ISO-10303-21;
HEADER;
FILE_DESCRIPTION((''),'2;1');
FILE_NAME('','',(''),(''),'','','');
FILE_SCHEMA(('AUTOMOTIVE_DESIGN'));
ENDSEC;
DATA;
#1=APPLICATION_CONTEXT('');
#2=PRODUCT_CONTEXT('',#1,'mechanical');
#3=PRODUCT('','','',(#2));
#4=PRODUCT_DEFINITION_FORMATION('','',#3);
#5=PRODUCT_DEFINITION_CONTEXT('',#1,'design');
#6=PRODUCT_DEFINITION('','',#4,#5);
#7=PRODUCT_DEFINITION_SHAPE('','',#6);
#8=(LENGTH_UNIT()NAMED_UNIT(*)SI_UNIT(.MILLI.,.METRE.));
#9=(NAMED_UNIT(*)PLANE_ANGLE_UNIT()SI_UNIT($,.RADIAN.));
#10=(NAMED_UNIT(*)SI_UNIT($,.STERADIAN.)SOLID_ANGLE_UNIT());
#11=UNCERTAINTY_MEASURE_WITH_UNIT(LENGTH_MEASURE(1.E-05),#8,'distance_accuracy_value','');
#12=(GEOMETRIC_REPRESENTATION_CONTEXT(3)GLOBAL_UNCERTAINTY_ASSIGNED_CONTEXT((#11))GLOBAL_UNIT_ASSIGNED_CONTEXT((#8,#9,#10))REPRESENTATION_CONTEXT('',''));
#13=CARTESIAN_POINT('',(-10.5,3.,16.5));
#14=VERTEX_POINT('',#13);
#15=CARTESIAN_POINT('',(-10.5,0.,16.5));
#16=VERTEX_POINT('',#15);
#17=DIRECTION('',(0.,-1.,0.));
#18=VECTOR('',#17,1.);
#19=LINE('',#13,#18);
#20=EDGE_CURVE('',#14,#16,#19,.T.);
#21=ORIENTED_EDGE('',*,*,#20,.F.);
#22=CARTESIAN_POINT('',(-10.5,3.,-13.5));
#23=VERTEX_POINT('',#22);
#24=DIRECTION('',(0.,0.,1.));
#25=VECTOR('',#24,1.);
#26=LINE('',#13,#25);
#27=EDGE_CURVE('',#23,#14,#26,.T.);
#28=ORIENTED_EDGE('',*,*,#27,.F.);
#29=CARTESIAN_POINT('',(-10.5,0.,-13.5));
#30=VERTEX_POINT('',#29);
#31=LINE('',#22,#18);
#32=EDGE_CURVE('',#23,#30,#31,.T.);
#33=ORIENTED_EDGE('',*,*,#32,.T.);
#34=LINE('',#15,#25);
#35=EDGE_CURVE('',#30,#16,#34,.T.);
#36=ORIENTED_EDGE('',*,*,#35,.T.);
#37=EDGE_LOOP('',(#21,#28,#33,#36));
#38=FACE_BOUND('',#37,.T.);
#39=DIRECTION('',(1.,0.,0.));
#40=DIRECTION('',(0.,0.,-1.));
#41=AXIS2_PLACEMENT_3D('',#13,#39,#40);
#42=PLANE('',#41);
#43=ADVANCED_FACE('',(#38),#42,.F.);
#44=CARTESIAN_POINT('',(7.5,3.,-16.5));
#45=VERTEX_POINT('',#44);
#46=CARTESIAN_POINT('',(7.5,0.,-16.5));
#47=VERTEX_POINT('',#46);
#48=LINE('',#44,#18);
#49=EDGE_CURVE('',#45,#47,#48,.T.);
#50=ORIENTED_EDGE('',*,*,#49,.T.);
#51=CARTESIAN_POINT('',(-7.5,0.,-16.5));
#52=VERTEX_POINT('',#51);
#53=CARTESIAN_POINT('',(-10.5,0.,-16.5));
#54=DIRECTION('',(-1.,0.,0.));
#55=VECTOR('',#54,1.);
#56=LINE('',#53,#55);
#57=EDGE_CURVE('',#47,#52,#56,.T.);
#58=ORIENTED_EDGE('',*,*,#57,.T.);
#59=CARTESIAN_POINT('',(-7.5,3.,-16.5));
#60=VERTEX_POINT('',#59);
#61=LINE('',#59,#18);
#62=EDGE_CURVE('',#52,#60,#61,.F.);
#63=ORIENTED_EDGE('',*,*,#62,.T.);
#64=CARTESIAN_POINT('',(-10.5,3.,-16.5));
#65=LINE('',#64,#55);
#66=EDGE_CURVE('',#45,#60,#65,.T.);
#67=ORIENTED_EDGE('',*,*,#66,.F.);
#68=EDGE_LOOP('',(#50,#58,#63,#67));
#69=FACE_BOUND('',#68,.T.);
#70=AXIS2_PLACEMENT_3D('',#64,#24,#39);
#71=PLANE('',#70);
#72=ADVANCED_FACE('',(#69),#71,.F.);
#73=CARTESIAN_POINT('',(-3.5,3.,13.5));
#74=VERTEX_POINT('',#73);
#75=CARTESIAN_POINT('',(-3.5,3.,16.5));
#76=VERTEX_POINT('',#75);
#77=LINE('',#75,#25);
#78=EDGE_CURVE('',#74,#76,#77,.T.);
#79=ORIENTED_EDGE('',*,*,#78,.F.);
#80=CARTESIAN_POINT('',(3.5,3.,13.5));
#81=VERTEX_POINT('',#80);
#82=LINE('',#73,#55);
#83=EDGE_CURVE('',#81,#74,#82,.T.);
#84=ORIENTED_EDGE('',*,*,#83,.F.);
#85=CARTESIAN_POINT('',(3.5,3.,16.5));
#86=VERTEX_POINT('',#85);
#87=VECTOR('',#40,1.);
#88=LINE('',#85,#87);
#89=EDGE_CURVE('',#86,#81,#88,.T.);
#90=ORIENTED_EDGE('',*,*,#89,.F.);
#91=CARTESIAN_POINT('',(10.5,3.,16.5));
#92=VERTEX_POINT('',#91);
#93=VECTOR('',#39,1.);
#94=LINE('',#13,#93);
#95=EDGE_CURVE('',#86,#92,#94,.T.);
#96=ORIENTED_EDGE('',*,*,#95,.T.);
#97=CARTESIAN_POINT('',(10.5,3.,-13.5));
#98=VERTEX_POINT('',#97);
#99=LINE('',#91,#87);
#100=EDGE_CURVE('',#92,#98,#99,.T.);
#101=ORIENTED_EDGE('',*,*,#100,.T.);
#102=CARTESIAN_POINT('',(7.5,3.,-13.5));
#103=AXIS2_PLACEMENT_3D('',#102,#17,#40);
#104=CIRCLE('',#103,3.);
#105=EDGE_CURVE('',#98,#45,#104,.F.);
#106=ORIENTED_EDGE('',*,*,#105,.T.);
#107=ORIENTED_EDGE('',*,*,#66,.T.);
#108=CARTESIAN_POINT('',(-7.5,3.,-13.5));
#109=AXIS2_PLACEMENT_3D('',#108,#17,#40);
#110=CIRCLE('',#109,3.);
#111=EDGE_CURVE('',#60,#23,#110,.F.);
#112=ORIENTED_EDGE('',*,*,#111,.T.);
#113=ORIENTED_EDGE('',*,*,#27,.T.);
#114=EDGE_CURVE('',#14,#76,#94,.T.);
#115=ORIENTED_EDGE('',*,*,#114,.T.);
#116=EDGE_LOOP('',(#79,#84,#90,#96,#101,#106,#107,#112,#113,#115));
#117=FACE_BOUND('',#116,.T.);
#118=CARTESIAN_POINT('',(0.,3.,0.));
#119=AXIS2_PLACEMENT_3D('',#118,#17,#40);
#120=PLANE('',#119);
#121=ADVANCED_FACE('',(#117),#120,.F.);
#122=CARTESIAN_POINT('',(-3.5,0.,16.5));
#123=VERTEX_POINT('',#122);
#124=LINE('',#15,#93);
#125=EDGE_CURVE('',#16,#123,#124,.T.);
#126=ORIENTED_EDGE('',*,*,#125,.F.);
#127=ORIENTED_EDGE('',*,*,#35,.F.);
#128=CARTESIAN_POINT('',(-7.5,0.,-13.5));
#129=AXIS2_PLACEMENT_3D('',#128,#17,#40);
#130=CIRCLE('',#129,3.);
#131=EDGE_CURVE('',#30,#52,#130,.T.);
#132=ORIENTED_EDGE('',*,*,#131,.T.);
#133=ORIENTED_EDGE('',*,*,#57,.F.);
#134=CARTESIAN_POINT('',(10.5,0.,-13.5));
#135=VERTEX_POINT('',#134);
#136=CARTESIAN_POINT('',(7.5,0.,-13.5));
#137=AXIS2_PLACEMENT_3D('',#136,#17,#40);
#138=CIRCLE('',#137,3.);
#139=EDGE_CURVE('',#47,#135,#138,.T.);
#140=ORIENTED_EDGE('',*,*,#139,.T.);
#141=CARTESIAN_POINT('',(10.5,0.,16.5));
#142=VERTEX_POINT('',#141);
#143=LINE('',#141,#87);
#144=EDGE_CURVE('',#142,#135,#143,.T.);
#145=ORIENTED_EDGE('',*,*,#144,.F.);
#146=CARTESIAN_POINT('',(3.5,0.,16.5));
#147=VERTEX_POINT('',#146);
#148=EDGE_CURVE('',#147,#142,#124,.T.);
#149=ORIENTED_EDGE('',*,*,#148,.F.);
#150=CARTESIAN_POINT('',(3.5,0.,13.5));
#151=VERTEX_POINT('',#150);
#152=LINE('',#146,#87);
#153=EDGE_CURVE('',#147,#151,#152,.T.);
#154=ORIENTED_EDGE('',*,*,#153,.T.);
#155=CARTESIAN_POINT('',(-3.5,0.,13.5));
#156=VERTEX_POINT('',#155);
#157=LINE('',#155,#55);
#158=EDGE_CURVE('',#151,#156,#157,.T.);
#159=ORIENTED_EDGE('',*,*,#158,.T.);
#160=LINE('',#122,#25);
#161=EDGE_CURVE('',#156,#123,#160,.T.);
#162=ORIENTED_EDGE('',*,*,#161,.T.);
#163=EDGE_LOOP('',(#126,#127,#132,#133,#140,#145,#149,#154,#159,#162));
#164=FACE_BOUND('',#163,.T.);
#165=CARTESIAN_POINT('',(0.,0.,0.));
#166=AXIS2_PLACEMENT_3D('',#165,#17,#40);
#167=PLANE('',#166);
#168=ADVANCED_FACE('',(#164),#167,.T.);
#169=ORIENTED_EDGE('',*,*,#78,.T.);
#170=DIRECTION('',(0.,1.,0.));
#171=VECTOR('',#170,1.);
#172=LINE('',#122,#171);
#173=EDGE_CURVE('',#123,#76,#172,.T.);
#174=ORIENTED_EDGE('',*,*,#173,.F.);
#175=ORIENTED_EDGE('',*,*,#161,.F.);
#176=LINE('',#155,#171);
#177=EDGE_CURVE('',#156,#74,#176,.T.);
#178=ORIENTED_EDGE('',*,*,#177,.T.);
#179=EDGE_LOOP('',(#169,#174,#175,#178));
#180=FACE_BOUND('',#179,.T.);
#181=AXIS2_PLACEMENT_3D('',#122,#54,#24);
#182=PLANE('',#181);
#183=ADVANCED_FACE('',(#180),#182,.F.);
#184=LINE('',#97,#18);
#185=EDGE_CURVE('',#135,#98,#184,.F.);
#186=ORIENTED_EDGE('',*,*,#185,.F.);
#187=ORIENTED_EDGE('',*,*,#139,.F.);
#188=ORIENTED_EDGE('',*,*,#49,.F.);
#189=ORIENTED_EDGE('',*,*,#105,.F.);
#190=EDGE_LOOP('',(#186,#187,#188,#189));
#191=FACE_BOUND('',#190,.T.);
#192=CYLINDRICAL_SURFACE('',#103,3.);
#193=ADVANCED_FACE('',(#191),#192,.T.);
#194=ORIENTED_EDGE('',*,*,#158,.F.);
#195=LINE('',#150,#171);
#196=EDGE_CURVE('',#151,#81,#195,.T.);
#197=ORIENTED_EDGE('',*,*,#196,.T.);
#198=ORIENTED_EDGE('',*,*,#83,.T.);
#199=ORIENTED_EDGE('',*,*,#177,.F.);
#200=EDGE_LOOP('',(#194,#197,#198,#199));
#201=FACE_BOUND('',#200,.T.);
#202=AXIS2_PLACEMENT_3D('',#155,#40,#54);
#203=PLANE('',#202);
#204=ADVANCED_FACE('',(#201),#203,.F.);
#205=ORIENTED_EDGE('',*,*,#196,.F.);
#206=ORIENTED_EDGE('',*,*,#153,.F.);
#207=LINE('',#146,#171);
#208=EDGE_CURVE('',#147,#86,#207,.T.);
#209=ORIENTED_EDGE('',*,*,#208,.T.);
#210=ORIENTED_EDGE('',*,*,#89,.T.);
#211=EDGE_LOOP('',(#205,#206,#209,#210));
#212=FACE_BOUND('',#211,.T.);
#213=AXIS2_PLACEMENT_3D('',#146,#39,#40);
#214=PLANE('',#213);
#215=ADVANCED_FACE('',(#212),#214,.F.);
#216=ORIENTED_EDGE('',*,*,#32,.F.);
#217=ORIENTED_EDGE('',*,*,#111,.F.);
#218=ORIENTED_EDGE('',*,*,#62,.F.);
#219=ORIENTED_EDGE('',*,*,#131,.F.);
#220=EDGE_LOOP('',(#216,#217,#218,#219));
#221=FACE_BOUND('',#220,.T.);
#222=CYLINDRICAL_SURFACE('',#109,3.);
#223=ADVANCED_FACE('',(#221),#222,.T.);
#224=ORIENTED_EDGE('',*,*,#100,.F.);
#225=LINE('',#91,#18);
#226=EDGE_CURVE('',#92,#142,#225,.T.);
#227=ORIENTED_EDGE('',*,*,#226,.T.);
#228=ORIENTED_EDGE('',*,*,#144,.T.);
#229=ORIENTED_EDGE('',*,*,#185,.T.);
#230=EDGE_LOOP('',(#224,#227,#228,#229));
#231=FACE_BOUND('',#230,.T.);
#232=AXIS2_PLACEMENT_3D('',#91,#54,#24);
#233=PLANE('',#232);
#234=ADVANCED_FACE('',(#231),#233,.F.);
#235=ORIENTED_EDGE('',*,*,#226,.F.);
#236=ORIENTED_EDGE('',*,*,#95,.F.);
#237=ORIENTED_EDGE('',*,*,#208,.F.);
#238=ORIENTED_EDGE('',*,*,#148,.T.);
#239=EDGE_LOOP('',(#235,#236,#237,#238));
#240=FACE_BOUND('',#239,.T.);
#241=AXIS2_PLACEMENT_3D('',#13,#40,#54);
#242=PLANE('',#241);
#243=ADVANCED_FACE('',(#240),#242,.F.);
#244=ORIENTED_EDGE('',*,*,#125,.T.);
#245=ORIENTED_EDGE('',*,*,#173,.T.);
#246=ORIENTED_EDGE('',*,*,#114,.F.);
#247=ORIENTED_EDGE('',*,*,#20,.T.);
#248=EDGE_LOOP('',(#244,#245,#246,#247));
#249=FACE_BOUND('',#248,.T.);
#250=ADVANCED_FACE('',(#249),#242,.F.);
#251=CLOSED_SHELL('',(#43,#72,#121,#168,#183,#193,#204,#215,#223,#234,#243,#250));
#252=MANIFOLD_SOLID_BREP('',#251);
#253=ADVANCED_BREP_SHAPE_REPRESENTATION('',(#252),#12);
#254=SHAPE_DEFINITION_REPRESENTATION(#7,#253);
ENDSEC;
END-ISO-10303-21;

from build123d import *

# Parameters (mm, degrees)
SKETCH2_W           = 21
SKETCH2_H           = 33
BOSS_EXTRUDE1_DEPTH = 3
SKETCH4_W           = 7
SKETCH4_H           = 3
CUT_EXTRUDE2_DEPTH  = 3
FILLET1_R           = 3
FILLET2_R           = 3


with BuildPart() as part:
    # Sketch2 → Boss-Extrude1 (new body)
    with BuildSketch(Plane(origin=(0, 0, 0), x_dir=(1, 0, 0), z_dir=(0, 1, 0))):
        Rectangle(SKETCH2_W, SKETCH2_H)
    extrude(amount=BOSS_EXTRUDE1_DEPTH)

    # Sketch4 → Cut-Extrude2 (cut)
    with BuildSketch(Plane(origin=(0, 3, 0), x_dir=(1, 0, 0), z_dir=(0, 1, 0))):
        with Locations((0, -15)):
            Rectangle(SKETCH4_W, SKETCH4_H)
    extrude(amount=-CUT_EXTRUDE2_DEPTH, mode=Mode.SUBTRACT)

    # Fillet1
    fillet1_edges = [part.edges().sort_by_distance(p)[0] for p in [
        (-10.5, 1.5, -16.5),
    ]]
    fillet(fillet1_edges, radius=FILLET1_R)

    # Fillet2
    fillet2_edges = [part.edges().sort_by_distance(p)[0] for p in [
        (10.5, 1.5, -16.5),
    ]]
    fillet(fillet2_edges, radius=FILLET2_R)


solid = part.part
